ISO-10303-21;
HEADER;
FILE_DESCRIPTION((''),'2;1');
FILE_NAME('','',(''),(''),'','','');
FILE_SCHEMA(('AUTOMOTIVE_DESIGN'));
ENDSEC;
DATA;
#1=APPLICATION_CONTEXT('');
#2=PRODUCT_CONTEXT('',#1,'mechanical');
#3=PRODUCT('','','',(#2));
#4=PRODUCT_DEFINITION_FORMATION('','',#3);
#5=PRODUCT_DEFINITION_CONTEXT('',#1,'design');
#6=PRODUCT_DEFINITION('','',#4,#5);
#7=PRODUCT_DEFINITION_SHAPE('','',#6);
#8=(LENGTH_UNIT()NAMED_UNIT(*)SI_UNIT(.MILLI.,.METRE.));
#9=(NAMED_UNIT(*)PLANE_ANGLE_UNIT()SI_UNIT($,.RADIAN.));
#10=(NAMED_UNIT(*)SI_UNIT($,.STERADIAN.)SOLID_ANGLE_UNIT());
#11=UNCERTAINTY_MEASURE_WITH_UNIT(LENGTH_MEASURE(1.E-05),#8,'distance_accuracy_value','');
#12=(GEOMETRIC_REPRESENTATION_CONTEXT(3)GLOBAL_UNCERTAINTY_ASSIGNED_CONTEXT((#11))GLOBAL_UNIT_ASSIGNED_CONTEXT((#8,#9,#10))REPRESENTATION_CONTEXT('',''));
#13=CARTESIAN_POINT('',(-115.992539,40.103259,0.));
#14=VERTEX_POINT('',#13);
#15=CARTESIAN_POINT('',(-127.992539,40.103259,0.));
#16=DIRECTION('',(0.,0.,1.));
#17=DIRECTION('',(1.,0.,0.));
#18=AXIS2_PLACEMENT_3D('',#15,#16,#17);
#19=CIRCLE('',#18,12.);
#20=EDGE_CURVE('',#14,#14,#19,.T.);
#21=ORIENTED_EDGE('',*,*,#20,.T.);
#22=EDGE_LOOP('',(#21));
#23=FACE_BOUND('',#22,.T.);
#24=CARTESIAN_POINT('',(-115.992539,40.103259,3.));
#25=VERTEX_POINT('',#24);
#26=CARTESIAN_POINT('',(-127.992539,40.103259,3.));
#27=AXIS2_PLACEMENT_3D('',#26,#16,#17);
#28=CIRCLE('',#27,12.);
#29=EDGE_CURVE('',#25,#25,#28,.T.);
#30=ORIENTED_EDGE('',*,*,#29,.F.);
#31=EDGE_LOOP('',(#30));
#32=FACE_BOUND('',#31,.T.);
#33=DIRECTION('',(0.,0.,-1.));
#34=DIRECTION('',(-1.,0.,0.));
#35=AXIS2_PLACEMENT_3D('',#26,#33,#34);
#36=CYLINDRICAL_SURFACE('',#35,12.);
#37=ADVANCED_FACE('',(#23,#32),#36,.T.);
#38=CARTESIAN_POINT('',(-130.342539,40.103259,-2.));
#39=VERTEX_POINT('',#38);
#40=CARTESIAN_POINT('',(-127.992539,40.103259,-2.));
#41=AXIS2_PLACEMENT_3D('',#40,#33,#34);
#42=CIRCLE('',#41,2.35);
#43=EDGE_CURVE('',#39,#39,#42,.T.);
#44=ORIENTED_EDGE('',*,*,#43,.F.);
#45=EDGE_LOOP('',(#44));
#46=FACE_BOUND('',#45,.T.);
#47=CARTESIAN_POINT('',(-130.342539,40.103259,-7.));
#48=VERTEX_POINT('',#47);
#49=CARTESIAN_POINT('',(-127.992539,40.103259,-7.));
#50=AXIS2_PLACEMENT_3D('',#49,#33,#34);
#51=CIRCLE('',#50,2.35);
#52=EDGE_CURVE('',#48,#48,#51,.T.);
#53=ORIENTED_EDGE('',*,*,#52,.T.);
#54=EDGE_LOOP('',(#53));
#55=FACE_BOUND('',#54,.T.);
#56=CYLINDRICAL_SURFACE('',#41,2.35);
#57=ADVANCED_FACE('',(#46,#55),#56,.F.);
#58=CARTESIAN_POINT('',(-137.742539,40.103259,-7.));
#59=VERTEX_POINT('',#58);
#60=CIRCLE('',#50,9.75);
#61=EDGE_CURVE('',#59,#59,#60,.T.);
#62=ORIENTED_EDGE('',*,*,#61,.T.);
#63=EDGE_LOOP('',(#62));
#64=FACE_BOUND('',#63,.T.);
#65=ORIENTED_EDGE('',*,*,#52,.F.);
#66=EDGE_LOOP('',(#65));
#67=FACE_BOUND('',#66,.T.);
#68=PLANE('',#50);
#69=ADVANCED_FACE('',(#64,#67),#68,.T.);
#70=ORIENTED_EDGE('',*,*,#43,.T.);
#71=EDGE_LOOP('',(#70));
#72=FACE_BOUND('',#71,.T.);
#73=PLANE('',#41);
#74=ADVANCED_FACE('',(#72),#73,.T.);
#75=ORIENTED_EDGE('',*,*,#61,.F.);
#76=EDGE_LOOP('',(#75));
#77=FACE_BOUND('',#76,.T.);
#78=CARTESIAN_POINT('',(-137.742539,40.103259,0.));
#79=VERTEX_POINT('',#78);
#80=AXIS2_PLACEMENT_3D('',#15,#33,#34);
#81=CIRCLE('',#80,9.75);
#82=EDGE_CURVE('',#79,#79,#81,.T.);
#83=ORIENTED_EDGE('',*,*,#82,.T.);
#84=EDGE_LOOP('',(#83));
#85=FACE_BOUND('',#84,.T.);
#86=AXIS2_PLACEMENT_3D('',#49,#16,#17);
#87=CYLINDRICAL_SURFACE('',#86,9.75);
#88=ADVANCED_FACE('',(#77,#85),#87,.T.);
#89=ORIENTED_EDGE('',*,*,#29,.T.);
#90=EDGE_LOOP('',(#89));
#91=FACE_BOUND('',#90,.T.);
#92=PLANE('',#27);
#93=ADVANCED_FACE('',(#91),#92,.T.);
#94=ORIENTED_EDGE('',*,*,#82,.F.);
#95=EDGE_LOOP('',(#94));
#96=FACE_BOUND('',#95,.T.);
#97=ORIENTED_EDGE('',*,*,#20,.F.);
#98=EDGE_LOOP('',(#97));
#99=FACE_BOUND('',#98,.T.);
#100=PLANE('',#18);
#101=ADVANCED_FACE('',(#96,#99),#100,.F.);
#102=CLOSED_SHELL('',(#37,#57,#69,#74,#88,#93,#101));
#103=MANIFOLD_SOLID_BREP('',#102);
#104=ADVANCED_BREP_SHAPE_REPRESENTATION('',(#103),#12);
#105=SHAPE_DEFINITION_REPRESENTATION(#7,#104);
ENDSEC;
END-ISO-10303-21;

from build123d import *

# Parameters (mm, degrees)
SKETCH1_R           = 12
BOSS_EXTRUDE1_DEPTH = 3
SKETCH2_R           = 9.75
BOSS_EXTRUDE2_DEPTH = 7
SKETCH3_R           = 2.35
CUT_EXTRUDE1_DEPTH  = 5


with BuildPart() as part:
    # Sketch1 → Boss-Extrude1 (new body)
    with BuildSketch(Plane.XY):
        with Locations((-127.992538975, 40.103259291)):
            Circle(SKETCH1_R)
    extrude(amount=BOSS_EXTRUDE1_DEPTH)

    # Sketch2 → Boss-Extrude2 (add)
    with BuildSketch(Plane(origin=(0, 0, 0), x_dir=(-1, 0, 0), z_dir=(0, 0, -1))):
        with Locations((127.992538975, 40.103259291)):
            Circle(SKETCH2_R)
    extrude(amount=BOSS_EXTRUDE2_DEPTH)

    # Sketch3 → Cut-Extrude1 (cut)
    with BuildSketch(Plane(origin=(0, 0, -7), x_dir=(-1, 0, 0), z_dir=(0, 0, -1))):
        with Locations((127.992538975, 40.103259291)):
            Circle(SKETCH3_R)
    extrude(amount=-CUT_EXTRUDE1_DEPTH, mode=Mode.SUBTRACT)


solid = part.part
